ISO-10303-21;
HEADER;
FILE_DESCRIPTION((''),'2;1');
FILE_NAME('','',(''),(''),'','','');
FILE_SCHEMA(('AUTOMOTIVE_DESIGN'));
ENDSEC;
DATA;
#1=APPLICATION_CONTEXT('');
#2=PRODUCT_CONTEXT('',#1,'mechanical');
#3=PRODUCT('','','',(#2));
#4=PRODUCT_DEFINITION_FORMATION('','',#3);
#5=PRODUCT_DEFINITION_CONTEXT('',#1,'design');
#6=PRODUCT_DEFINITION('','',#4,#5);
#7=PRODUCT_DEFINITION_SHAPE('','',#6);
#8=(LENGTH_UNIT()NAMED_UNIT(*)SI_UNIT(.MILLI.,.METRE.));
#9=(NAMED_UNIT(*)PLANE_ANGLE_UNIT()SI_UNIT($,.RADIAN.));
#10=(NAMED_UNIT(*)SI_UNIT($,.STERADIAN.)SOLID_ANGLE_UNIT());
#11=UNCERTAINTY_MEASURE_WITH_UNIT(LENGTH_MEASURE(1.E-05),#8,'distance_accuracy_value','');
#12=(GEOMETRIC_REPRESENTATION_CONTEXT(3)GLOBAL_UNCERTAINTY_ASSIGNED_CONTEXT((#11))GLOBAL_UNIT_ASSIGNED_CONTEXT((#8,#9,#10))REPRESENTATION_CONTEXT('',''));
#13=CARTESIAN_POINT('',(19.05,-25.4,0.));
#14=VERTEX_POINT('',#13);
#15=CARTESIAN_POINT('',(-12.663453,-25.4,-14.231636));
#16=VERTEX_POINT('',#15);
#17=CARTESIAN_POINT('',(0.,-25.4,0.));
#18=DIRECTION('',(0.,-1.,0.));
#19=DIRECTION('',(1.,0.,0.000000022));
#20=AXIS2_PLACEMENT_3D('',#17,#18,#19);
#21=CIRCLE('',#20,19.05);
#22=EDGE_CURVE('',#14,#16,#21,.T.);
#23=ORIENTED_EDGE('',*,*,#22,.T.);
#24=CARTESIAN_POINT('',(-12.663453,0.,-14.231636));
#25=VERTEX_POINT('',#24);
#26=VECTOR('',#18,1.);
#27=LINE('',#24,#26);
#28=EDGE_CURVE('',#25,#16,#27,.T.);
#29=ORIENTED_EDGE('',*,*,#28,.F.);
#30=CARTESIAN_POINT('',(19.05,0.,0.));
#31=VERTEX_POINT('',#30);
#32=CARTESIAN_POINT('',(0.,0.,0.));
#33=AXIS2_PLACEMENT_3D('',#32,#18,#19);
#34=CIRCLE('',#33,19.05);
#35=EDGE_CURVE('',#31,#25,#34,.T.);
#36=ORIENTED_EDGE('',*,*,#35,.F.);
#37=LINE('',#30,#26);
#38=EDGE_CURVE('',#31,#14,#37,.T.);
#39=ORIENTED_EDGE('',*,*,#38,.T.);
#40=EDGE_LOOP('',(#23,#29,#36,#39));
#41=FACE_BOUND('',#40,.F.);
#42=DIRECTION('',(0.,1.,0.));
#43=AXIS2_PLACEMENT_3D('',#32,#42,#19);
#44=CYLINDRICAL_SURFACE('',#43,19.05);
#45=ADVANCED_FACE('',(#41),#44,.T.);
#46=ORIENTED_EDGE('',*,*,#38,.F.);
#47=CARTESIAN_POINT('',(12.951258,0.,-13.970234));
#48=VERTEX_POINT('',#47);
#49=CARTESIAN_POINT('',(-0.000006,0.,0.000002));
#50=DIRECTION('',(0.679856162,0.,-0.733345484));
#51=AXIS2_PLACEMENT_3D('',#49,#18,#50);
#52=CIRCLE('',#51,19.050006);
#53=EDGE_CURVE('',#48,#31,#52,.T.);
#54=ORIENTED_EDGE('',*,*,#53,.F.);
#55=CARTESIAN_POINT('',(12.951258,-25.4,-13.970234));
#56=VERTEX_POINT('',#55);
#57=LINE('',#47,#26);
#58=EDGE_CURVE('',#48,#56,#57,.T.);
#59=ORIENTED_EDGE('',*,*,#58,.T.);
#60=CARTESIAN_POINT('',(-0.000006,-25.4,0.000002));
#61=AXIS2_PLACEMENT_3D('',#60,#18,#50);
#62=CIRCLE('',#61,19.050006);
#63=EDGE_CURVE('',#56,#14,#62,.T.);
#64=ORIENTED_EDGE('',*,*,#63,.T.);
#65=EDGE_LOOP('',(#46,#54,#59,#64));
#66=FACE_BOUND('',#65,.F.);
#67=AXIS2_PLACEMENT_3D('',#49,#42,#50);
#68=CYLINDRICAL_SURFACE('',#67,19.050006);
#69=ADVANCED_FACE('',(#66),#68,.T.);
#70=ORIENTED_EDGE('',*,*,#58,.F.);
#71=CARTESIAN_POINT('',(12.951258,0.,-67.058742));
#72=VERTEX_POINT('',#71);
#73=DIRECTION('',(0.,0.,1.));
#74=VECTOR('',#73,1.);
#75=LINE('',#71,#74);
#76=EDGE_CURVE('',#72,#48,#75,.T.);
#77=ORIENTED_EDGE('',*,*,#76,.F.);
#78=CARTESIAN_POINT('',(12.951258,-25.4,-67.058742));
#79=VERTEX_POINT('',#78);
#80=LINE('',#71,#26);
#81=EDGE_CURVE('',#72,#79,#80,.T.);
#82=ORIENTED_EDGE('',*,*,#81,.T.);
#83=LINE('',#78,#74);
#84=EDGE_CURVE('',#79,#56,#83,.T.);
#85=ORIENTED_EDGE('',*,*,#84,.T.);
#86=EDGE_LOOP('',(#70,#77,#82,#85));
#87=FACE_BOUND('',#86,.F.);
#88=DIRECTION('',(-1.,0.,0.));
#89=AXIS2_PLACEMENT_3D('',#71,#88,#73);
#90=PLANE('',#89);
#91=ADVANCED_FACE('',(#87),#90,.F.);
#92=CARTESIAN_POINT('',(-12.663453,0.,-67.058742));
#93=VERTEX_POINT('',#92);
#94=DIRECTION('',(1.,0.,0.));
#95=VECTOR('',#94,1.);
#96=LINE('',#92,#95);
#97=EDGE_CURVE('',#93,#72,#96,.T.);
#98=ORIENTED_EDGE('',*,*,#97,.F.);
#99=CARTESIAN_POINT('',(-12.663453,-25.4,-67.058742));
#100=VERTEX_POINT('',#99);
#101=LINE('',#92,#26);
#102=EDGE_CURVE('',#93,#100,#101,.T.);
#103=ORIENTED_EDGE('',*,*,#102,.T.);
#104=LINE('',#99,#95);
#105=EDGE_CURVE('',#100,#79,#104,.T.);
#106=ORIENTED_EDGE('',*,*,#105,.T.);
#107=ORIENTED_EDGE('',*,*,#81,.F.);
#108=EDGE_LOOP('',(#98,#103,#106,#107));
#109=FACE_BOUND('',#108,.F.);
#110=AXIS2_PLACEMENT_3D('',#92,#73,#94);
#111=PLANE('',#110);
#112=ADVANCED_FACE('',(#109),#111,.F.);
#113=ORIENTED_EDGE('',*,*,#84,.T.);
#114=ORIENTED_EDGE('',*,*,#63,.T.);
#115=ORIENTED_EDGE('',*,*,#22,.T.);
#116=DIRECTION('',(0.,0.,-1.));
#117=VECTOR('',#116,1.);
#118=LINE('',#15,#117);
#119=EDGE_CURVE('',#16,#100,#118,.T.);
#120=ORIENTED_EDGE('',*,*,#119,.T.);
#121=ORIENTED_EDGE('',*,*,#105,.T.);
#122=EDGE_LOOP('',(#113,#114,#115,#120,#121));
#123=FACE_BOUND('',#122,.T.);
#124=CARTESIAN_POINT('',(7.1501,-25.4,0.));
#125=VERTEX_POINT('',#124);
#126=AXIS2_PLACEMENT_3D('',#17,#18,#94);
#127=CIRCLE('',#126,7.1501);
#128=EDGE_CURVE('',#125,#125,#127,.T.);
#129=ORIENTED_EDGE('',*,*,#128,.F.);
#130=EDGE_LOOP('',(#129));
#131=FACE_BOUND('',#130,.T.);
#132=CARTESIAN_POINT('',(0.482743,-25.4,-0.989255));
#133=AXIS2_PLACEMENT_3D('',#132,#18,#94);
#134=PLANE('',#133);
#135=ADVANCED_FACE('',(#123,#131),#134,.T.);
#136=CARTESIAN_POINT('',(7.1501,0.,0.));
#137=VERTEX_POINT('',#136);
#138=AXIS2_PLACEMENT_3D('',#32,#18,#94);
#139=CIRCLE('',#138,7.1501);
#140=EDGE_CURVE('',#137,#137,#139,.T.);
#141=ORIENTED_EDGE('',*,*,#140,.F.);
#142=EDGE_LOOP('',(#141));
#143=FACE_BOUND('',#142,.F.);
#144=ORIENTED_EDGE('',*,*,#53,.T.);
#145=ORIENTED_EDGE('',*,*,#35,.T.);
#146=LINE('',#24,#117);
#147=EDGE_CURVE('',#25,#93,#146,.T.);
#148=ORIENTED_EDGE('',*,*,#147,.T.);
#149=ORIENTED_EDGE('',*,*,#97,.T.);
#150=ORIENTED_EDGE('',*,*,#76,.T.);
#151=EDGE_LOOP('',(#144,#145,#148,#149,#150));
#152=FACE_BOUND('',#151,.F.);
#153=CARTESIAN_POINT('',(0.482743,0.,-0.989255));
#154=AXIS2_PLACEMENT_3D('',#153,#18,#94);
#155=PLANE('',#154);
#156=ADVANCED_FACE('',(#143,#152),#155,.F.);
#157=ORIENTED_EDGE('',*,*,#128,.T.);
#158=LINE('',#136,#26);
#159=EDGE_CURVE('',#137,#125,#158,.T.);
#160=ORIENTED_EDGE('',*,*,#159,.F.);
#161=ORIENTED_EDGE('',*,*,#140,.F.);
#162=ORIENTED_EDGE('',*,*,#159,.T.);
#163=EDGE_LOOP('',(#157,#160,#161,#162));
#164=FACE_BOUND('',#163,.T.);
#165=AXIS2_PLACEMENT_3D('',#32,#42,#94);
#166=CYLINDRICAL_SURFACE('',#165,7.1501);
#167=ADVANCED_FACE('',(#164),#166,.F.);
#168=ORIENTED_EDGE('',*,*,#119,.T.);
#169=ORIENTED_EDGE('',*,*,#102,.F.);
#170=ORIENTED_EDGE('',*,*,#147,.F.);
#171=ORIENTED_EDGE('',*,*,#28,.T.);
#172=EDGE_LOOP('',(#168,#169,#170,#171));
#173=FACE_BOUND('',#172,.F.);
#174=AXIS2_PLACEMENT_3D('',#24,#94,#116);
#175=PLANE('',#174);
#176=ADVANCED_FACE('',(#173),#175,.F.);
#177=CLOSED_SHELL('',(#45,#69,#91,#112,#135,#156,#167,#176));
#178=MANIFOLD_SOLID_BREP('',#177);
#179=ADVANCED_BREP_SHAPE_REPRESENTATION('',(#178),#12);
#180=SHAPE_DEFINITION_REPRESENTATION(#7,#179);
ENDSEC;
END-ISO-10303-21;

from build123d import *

# Parameters (mm, degrees)
F0_R     = 7.1501
F1_DEPTH = 25.4


with BuildPart() as f1:
    # F0 (on Front) → F1 (new body)
    with BuildSketch(Plane.XZ):
        with BuildLine():
            ThreePointArc((12.951258, -13.970234), (17.458865, -7.621714), (19.05, 0))
            ThreePointArc((19.05, 0), (-7.799478, 17.380179), (-12.663453, -14.231636))
            ThreePointArc((-12.663453, -14.231636), (0.194398, -19.049008), (12.951258, -13.970234))
        make_face()
        Circle(F0_R, mode=Mode.SUBTRACT)
        with BuildLine():
            ThreePointArc((12.951258, -13.970234), (0.194398, -19.049008), (-12.663453, -14.231636))
            Line((-12.663453, -14.231636), (-12.663453, -19.05))
            Line((-12.663453, -19.05), (-12.663453, -67.058742))
            Line((-12.663453, -67.058742), (12.951258, -67.058742))
            Line((12.951258, -67.058742), (12.951258, -13.970234))
        make_face()
    extrude(amount=F1_DEPTH)


solid = f1.part
